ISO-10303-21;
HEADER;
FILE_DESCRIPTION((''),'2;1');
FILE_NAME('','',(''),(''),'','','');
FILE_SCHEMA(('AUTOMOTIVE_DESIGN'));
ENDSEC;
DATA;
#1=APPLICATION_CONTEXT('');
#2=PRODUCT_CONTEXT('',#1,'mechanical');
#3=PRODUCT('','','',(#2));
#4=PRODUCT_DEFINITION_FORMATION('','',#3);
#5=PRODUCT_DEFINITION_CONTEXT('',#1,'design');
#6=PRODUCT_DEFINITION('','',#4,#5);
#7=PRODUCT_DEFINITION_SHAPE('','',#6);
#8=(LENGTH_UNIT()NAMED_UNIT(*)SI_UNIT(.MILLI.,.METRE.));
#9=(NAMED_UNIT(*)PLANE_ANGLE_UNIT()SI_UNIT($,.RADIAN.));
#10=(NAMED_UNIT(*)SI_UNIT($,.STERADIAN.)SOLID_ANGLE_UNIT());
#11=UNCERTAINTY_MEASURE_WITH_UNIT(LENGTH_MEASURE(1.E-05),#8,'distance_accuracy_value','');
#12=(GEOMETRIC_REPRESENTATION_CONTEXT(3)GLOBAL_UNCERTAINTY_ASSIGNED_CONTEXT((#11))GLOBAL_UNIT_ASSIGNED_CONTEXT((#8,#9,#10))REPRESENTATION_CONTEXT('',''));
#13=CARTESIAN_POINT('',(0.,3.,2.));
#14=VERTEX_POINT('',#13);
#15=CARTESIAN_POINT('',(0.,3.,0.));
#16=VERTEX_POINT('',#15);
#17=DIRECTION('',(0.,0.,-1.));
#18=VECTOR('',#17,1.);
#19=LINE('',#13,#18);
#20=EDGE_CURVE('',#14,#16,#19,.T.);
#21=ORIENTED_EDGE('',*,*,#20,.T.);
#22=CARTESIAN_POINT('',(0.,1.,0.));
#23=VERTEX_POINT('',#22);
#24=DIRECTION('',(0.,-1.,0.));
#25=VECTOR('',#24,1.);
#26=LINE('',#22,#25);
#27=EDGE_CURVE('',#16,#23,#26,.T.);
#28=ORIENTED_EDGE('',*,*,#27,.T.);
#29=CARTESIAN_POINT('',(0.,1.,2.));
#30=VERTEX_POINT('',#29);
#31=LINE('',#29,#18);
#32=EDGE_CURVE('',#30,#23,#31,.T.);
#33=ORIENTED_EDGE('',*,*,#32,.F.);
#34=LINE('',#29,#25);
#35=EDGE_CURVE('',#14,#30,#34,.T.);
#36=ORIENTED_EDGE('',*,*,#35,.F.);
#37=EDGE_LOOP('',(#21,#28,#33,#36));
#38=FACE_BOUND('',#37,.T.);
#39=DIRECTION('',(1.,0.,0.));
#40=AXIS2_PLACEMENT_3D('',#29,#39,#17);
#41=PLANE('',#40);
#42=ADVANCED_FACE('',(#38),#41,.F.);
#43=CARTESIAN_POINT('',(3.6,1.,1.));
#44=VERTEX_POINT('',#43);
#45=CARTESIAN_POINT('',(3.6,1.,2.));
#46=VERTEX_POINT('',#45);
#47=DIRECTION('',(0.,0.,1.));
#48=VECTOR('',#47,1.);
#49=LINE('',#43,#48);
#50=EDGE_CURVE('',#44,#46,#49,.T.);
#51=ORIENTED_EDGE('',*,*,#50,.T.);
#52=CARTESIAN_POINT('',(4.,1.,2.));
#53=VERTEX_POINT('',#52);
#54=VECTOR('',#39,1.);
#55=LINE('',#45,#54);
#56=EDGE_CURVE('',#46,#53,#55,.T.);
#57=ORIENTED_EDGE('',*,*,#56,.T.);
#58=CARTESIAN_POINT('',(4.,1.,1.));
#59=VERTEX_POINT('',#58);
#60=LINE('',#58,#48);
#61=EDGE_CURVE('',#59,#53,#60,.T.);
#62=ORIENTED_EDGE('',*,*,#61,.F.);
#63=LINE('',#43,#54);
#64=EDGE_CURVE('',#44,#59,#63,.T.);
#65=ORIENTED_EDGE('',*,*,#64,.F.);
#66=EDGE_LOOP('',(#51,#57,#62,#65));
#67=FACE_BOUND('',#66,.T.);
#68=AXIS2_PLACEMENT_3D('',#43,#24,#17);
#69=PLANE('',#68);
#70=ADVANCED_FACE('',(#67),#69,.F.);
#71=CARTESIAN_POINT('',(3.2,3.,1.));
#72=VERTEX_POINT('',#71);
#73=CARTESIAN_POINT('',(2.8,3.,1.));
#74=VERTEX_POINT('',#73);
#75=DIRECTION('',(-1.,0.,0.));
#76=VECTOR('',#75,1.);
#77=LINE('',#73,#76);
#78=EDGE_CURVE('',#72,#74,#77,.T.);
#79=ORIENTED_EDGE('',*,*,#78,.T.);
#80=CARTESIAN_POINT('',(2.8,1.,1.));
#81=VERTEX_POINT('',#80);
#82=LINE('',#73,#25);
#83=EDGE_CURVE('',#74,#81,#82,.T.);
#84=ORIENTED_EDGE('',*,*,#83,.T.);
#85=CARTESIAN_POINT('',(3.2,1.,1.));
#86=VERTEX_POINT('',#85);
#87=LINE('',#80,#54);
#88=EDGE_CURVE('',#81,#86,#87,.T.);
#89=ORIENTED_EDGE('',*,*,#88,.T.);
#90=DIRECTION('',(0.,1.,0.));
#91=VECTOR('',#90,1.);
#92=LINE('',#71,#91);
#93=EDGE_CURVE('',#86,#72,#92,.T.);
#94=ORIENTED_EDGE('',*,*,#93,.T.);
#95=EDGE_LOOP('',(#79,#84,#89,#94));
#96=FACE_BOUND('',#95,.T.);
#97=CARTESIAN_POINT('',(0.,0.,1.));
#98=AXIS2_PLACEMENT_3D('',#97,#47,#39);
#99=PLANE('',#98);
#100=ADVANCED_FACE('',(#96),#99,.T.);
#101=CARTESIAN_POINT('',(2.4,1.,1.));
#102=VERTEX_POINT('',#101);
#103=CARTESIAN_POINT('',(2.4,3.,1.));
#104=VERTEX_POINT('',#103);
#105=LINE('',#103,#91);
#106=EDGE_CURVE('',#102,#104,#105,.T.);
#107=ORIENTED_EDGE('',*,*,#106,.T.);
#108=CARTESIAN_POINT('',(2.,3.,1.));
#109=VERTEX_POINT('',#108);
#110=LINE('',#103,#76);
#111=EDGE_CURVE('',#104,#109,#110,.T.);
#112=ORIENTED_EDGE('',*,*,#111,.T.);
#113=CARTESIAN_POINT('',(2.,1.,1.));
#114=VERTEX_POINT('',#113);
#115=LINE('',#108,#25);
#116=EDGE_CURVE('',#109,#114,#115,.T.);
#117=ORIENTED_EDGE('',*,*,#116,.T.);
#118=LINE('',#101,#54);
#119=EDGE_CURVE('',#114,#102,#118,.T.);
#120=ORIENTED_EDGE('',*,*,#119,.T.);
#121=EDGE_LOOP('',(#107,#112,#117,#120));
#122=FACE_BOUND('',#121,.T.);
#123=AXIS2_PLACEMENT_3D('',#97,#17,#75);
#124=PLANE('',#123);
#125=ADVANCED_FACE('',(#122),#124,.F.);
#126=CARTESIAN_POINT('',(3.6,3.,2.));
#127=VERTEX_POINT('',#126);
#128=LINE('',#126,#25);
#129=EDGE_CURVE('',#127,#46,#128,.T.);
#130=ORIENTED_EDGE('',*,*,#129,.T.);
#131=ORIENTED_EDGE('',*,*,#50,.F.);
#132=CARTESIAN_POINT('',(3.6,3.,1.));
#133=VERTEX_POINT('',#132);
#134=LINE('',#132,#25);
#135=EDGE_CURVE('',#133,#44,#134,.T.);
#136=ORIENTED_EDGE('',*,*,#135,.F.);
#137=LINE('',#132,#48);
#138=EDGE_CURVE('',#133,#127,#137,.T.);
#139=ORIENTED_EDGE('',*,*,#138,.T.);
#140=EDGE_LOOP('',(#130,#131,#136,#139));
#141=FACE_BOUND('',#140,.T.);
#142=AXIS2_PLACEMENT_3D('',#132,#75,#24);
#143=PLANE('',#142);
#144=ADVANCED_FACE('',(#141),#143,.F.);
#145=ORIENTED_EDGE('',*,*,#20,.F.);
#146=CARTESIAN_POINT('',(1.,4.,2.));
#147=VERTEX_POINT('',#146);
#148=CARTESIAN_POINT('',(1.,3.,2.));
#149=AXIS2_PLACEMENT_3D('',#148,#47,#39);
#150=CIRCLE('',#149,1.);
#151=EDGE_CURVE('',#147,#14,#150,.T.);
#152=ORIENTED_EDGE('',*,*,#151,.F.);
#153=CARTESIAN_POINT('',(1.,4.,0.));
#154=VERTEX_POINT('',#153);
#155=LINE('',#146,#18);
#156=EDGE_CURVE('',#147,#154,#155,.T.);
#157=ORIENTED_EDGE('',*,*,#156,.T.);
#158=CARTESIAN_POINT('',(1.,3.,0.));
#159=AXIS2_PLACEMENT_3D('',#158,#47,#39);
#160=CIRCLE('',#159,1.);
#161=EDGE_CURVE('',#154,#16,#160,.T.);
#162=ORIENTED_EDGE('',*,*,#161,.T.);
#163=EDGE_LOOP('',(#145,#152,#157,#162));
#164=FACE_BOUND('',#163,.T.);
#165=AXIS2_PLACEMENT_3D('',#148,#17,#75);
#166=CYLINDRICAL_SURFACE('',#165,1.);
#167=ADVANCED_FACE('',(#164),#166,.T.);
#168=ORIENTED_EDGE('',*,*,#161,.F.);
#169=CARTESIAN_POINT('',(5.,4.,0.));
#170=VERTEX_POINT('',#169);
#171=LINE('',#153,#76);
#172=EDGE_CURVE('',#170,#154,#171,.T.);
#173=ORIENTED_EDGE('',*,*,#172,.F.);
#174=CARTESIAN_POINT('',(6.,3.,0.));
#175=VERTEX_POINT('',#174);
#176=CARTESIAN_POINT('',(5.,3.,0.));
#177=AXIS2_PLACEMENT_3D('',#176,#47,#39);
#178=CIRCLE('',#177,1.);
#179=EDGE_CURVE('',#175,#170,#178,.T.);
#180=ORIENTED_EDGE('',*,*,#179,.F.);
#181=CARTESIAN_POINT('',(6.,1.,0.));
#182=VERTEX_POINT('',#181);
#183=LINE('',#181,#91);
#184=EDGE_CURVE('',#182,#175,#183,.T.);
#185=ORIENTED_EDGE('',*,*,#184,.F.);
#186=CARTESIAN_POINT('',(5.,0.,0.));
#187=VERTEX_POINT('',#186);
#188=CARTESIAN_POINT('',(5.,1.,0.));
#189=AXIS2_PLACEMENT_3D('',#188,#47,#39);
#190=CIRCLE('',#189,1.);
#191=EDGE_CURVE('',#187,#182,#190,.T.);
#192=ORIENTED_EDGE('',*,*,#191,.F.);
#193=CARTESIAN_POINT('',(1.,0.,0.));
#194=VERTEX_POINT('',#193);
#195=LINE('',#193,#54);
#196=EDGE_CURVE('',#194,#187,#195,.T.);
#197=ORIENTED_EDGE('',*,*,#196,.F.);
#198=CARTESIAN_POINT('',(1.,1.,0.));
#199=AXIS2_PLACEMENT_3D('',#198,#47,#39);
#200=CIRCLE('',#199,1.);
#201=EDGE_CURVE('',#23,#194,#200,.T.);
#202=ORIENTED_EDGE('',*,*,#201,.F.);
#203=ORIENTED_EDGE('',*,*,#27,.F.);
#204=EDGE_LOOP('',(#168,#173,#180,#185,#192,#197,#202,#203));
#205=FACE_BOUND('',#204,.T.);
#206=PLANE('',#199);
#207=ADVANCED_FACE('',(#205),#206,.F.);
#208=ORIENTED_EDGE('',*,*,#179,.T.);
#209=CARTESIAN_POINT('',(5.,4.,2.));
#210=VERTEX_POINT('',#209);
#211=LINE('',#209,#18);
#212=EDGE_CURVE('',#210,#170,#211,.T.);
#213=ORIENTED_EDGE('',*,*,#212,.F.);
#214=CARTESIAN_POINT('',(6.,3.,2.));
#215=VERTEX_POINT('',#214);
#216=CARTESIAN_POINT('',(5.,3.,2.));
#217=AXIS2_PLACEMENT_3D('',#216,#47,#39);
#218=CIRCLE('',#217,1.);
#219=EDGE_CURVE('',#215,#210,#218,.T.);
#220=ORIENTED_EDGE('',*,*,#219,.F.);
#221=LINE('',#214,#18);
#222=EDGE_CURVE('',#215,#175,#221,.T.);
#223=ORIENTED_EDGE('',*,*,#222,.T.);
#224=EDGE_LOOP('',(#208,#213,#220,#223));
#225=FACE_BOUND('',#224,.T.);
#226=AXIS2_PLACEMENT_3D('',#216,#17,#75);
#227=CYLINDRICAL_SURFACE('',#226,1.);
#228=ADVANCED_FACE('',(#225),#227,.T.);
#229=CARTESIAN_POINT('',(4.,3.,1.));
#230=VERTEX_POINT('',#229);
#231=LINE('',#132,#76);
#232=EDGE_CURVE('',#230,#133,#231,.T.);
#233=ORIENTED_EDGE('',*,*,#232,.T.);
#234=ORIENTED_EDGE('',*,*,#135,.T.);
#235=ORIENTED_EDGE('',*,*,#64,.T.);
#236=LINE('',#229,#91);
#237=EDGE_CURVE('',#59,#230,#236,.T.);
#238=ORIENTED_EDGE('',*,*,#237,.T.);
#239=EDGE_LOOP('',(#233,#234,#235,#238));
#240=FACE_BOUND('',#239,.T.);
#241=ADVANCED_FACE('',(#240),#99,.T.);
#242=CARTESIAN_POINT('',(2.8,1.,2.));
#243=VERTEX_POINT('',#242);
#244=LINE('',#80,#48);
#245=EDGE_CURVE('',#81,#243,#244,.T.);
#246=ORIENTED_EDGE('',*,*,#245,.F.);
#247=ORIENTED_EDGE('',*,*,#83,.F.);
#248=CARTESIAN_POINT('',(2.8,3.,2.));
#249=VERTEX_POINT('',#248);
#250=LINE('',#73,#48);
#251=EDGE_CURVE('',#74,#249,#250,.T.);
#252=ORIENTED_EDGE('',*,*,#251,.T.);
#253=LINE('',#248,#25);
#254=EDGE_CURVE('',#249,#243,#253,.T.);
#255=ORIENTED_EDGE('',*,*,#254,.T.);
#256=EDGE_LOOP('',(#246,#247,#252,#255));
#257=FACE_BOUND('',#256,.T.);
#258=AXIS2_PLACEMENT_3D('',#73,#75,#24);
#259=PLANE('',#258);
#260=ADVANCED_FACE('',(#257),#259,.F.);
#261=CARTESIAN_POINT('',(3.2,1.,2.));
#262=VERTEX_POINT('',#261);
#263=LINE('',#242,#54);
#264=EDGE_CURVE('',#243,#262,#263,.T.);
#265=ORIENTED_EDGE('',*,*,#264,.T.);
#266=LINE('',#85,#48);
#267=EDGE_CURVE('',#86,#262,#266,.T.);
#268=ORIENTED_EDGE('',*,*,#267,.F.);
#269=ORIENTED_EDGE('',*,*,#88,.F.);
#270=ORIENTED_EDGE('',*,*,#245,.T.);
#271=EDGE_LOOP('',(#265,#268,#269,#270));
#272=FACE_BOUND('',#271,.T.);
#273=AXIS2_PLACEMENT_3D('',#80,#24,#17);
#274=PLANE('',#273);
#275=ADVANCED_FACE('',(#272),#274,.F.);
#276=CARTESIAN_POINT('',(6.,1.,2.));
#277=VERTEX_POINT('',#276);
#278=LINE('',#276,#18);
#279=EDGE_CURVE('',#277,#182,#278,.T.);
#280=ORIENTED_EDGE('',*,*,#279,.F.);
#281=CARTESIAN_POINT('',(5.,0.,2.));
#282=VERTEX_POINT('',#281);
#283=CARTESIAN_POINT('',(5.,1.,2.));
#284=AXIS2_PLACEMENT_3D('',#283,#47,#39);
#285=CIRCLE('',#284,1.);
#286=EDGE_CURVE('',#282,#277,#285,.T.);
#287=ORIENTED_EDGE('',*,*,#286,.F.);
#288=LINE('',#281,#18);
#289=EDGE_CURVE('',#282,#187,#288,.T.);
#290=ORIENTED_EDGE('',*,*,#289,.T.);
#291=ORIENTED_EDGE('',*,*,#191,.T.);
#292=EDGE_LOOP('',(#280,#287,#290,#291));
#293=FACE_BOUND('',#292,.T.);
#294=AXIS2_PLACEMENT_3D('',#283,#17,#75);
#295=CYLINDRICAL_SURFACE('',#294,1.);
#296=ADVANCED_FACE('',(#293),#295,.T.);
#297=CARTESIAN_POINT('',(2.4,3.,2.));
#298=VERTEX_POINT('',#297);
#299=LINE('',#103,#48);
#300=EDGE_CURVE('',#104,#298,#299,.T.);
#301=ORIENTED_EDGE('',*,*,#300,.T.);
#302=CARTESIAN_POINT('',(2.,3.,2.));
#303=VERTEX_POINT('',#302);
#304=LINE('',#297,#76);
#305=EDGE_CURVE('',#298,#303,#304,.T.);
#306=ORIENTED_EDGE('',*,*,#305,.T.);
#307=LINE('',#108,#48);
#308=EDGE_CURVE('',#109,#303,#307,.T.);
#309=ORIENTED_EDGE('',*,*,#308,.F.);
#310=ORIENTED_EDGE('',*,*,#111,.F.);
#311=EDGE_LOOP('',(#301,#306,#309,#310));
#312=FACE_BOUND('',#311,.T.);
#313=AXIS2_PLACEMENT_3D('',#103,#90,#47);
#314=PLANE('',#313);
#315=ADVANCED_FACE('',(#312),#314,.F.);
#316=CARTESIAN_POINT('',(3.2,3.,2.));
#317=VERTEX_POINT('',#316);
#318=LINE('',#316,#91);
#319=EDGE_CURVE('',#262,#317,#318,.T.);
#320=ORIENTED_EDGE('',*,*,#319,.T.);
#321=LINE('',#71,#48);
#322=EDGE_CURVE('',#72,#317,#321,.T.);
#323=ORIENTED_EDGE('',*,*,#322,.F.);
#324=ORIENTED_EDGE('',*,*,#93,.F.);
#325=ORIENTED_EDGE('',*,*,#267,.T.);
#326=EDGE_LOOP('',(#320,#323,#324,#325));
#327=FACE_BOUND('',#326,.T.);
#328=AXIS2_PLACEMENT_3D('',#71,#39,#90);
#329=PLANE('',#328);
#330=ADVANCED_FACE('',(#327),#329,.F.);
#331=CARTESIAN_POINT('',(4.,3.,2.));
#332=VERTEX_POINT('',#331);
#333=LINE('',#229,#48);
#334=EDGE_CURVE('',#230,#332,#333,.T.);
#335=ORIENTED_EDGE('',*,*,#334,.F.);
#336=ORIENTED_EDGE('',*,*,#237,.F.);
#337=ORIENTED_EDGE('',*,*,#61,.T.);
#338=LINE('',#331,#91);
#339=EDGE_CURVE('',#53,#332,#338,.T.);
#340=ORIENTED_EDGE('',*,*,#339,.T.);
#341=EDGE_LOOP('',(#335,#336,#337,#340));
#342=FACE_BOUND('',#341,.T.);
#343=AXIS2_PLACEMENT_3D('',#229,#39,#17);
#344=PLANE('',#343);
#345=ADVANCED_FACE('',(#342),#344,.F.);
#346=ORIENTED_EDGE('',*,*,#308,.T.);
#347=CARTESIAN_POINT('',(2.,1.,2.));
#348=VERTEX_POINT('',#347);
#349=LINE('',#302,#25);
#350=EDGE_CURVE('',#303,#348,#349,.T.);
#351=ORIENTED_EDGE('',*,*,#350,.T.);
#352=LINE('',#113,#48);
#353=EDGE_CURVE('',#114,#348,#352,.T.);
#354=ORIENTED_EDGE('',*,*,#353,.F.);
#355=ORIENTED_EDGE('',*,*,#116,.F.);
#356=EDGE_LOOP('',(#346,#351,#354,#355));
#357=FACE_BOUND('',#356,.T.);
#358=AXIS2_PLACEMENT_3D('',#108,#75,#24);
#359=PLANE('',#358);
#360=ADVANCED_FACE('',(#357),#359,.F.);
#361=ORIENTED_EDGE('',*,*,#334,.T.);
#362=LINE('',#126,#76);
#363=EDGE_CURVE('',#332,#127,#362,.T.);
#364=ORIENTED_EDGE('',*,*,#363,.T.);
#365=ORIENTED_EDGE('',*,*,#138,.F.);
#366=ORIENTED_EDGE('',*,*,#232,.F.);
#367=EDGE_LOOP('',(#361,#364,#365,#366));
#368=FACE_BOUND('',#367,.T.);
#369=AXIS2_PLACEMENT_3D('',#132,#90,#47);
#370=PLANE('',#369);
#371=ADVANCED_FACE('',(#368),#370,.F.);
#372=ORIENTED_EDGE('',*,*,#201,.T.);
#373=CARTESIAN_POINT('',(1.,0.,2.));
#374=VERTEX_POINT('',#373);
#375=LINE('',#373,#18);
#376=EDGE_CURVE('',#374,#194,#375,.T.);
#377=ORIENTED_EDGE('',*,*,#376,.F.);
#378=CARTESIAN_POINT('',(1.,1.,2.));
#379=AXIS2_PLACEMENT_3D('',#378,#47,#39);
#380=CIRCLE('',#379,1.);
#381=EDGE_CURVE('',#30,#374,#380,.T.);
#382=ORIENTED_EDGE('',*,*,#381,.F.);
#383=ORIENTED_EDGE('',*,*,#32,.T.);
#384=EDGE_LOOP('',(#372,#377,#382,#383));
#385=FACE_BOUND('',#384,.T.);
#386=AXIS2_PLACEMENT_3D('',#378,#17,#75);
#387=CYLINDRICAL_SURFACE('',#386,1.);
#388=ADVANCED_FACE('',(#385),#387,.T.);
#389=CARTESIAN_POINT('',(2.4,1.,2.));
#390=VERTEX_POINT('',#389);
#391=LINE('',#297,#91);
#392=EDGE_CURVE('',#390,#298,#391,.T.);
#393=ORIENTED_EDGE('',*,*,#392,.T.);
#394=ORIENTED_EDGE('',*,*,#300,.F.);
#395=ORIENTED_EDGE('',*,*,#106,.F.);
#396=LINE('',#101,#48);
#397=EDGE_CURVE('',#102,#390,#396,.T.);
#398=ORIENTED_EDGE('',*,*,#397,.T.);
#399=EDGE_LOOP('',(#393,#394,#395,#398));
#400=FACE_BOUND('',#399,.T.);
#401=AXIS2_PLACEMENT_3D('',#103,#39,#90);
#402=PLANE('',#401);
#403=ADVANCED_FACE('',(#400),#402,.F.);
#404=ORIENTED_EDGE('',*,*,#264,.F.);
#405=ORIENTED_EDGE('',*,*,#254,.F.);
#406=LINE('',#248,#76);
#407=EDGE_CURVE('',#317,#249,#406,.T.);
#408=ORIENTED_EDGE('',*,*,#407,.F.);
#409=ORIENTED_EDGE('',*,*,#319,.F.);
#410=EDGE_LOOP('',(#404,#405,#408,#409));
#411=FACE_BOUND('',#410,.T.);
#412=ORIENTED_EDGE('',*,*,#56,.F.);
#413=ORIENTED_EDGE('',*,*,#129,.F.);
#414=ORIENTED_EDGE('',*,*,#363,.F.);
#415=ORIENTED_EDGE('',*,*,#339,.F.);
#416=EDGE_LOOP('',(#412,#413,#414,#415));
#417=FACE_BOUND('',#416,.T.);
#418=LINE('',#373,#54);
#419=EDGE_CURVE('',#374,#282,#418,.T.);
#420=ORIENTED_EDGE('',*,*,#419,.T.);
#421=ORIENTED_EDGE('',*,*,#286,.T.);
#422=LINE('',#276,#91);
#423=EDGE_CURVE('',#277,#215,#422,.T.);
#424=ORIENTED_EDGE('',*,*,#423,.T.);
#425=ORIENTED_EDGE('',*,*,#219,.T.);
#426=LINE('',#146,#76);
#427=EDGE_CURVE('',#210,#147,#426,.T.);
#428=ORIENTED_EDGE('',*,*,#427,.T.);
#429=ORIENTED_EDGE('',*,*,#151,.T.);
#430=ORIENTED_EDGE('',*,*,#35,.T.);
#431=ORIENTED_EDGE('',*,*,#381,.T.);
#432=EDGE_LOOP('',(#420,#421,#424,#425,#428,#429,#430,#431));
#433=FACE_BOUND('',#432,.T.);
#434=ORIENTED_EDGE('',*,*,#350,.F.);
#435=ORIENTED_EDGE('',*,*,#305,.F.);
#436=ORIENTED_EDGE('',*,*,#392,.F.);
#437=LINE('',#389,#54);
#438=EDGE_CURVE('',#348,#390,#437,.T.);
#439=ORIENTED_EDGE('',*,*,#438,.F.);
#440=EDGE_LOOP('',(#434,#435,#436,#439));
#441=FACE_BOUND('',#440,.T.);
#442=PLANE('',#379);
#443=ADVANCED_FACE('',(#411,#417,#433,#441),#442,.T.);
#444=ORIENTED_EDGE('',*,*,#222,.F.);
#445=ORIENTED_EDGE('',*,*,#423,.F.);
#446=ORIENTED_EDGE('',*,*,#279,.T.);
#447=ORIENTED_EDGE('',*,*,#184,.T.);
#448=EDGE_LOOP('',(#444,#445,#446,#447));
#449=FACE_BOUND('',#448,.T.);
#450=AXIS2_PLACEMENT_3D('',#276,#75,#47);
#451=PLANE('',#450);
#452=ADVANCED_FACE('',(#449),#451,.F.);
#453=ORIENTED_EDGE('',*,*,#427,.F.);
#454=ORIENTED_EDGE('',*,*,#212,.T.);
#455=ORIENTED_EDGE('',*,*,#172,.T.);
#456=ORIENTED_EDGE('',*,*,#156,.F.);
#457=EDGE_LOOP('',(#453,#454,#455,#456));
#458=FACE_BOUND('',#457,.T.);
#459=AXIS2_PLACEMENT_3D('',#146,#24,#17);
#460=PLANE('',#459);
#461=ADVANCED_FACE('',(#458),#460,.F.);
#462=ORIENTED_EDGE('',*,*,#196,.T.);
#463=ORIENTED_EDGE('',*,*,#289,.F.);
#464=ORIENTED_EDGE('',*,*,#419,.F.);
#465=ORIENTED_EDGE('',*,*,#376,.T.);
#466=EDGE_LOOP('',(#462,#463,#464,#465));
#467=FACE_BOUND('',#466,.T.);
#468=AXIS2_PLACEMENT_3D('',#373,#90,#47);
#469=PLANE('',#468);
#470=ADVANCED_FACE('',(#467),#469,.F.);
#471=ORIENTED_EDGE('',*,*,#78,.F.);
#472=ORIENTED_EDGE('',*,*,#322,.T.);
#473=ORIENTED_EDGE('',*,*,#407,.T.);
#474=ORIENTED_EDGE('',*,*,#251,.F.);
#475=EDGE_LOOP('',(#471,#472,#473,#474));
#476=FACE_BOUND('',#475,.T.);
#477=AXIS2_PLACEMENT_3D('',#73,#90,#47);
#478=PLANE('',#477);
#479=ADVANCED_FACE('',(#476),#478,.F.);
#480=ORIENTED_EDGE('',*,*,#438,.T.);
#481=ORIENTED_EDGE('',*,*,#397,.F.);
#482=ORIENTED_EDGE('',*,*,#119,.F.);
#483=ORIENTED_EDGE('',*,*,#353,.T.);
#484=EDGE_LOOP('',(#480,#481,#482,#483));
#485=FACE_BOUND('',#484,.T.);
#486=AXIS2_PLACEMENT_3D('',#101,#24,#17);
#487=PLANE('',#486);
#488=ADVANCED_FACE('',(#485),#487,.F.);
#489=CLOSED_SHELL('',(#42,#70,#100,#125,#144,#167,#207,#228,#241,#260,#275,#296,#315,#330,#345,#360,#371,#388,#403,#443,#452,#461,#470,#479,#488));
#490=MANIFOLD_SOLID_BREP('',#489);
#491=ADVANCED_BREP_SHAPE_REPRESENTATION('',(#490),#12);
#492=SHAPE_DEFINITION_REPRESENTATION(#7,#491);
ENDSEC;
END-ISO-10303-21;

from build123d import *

# Parameters (mm, degrees)
AUFSATZ_LINEAR_AUSTRAGEN1_DEPTH = 2
SKIZZE2_W                       = 0.4
SKIZZE2_H                       = 2
SCHNITT_LINEAR_AUSTRAGEN1_DEPTH = 1
SKIZZE3_W                       = 0.4
SKIZZE3_H                       = 2
SCHNITT_LINEAR_AUSTRAGEN2_DEPTH = 1
SKIZZE4_W                       = 0.4
SKIZZE4_H                       = 2
SCHNITT_LINEAR_AUSTRAGEN3_DEPTH = 1


with BuildPart() as part:
    # Skizze1 → Aufsatz-Linear austragen1 (new body)
    with BuildSketch(Plane.XY):
        with BuildLine():
            Line((1, 0), (5, 0))
            ThreePointArc((5, 0), (5.707106781, 0.292893219), (6, 1))
            Line((6, 1), (6, 3))
            ThreePointArc((6, 3), (5.707106781, 3.707106781), (5, 4))
            Line((5, 4), (1, 4))
            ThreePointArc((1, 4), (0.292893219, 3.707106781), (0, 3))
            Line((0, 3), (0, 1))
            ThreePointArc((0, 1), (0.292893219, 0.292893219), (1, 0))
        make_face()
    extrude(amount=AUFSATZ_LINEAR_AUSTRAGEN1_DEPTH)

    # Skizze2 → Schnitt-Linear austragen1 (cut)
    with BuildSketch(Plane.XY.offset(2)):
        with Locations((3, 2)):
            Rectangle(SKIZZE2_W, SKIZZE2_H)
    extrude(amount=-SCHNITT_LINEAR_AUSTRAGEN1_DEPTH, mode=Mode.SUBTRACT)

    # Skizze3 → Schnitt-Linear austragen2 (cut)
    with BuildSketch(Plane.XY.offset(2)):
        with Locations((3.8, 2)):
            Rectangle(SKIZZE3_W, SKIZZE3_H)
    extrude(amount=-SCHNITT_LINEAR_AUSTRAGEN2_DEPTH, mode=Mode.SUBTRACT)

    # Skizze4 → Schnitt-Linear austragen3 (cut)
    with BuildSketch(Plane.XY.offset(2)):
        with Locations((2.2, 2)):
            Rectangle(SKIZZE4_W, SKIZZE4_H)
    extrude(amount=-SCHNITT_LINEAR_AUSTRAGEN3_DEPTH, mode=Mode.SUBTRACT)


solid = part.part
